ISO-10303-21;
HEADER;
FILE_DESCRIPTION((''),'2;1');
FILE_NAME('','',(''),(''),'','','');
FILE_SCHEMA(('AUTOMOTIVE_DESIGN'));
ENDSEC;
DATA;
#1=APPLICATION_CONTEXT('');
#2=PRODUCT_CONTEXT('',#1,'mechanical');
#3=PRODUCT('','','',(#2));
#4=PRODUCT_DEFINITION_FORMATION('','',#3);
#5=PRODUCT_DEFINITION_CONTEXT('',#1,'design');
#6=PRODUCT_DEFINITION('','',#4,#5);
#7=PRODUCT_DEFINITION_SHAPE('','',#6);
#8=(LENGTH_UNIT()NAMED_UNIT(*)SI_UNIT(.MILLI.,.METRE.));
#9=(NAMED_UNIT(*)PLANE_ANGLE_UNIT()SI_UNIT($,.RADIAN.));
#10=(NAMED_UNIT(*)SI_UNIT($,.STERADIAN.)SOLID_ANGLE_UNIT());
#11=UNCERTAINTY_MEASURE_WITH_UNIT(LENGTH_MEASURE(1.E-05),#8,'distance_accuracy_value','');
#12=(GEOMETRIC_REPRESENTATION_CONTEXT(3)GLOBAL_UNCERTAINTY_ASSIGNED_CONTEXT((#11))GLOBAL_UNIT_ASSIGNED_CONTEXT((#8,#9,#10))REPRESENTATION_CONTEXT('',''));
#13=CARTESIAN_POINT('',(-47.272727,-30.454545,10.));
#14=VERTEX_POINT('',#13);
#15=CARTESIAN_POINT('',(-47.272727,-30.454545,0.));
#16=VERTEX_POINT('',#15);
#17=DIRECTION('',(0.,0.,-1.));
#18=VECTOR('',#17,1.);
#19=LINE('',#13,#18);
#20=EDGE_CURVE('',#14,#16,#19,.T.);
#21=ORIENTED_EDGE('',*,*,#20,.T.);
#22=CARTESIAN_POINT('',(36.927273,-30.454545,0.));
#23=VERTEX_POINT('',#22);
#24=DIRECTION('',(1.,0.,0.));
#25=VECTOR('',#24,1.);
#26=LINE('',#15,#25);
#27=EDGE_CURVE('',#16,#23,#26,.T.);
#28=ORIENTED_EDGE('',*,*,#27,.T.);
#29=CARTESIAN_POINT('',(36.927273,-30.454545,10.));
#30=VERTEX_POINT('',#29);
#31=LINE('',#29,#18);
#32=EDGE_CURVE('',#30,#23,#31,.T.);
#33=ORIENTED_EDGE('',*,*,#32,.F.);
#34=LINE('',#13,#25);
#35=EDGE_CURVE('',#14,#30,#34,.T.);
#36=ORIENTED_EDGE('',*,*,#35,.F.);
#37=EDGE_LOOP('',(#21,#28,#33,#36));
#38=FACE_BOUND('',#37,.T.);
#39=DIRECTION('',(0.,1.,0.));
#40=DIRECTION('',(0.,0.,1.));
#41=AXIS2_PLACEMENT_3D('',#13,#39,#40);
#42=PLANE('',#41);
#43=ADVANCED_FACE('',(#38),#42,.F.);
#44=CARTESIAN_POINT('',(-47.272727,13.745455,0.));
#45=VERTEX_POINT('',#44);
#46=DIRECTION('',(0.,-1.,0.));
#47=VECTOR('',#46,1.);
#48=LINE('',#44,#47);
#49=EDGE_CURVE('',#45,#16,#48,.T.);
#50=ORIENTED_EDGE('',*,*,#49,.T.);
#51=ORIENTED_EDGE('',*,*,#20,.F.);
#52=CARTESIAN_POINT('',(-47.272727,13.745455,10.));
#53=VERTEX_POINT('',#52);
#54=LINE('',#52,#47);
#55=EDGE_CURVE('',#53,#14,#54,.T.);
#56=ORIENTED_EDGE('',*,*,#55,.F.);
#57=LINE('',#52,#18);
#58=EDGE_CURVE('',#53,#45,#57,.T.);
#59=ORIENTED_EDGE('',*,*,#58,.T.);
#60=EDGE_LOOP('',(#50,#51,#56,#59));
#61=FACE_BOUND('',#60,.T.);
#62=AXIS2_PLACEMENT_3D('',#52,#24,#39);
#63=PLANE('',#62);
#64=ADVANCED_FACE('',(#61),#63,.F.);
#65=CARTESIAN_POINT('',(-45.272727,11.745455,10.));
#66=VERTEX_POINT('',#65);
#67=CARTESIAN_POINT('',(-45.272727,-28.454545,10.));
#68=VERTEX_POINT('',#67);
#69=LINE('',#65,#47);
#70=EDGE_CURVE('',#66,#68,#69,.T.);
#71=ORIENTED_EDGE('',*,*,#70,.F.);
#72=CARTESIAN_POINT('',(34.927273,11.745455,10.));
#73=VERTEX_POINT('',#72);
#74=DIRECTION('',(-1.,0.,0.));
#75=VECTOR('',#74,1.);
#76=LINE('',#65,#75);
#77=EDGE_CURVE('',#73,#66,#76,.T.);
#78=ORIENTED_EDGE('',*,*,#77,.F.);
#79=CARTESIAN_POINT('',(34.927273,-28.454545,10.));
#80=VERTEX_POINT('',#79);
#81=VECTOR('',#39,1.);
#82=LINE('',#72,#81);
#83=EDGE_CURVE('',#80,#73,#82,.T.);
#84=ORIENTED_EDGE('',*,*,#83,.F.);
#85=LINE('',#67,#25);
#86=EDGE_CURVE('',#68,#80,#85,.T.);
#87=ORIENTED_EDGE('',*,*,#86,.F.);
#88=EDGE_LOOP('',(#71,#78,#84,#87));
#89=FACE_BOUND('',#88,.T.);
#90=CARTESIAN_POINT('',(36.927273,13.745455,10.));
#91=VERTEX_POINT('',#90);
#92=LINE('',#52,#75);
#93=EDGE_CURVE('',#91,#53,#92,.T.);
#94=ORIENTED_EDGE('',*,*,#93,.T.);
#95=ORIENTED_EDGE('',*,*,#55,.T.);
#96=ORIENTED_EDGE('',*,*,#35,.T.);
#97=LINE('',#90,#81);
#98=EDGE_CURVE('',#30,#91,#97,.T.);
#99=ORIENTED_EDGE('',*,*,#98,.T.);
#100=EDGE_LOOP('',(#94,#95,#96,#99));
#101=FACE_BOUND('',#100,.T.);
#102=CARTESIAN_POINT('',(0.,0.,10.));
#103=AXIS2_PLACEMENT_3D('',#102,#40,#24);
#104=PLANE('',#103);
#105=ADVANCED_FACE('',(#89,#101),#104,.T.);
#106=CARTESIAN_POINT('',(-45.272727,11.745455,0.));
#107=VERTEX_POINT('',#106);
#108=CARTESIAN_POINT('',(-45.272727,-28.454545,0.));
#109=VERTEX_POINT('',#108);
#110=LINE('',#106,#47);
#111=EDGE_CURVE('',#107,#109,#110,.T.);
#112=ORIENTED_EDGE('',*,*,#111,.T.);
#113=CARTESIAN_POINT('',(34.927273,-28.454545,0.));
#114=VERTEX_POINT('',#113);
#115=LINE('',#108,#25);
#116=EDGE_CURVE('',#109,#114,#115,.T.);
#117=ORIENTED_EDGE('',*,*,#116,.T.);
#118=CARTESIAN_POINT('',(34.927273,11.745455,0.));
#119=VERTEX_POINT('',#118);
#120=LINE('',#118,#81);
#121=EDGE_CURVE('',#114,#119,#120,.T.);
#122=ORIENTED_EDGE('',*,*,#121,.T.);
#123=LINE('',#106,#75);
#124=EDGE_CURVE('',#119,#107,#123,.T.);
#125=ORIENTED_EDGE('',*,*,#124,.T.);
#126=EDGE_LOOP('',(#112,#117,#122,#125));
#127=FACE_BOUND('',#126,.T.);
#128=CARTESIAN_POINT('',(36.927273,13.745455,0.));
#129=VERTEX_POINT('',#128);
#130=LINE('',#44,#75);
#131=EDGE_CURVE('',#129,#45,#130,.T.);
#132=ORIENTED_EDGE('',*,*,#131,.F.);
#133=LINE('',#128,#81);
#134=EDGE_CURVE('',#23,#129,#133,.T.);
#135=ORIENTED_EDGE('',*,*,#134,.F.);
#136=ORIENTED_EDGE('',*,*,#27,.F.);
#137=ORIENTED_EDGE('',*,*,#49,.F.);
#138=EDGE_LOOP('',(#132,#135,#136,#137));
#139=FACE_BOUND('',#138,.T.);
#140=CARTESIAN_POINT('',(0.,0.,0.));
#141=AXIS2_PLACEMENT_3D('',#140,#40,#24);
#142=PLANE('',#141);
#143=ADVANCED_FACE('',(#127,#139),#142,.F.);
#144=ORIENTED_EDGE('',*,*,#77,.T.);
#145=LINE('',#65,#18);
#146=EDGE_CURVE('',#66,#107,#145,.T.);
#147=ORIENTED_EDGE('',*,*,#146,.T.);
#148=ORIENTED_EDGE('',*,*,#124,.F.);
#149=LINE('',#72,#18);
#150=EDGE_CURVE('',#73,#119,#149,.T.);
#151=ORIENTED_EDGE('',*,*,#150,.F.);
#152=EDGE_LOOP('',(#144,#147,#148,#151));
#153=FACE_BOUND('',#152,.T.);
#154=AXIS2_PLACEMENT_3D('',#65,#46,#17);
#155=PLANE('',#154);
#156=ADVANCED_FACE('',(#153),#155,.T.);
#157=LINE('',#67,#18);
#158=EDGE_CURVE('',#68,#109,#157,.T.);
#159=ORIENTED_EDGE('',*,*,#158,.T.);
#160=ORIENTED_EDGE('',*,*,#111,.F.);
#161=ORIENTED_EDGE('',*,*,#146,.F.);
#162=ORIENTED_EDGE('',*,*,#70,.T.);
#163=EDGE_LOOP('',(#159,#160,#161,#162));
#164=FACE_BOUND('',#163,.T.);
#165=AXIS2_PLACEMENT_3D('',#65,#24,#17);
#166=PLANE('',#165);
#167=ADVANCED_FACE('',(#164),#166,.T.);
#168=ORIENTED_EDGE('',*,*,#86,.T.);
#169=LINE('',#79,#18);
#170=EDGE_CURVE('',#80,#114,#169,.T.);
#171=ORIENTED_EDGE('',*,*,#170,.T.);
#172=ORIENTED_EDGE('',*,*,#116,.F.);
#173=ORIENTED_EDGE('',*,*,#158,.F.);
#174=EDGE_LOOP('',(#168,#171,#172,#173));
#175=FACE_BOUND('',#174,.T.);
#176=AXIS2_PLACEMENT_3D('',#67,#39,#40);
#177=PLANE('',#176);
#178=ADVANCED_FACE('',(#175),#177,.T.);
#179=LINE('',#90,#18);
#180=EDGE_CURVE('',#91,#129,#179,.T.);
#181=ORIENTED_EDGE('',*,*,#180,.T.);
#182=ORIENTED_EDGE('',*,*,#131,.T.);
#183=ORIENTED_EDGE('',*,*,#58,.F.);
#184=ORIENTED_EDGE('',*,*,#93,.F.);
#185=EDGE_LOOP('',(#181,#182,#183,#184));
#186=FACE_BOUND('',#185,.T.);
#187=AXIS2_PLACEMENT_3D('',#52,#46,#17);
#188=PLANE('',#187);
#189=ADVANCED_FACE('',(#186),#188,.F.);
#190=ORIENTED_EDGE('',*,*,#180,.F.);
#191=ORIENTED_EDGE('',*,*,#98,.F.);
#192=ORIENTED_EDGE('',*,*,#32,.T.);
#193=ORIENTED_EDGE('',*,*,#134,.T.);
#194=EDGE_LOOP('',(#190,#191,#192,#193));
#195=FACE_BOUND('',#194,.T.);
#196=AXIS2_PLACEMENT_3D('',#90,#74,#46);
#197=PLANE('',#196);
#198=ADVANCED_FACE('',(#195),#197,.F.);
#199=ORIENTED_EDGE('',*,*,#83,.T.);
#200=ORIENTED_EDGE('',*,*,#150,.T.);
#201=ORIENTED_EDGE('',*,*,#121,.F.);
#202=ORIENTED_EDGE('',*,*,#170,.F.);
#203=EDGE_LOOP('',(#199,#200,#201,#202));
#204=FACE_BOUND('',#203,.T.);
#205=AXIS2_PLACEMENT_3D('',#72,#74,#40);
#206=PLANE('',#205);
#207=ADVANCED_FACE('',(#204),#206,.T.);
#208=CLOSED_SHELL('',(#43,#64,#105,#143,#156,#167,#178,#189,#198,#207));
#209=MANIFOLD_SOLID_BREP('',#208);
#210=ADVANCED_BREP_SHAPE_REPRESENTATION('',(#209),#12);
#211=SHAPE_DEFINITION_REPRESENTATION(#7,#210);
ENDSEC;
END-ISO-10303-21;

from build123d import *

# Parameters (mm, degrees)
SKETCH_1_W      = 84.2
SKETCH_1_H      = 44.2
SKETCH_1_W_2    = 80.2
SKETCH_1_H_2    = 40.2
EXTRUDE_1_DEPTH = 10


with BuildPart() as part:
    # 草图1 → 凸台-拉伸1 (new body)
    with BuildSketch(Plane.XY):
        with Locations((-5.172727273, -8.354545455)):
            Rectangle(SKETCH_1_W, SKETCH_1_H)
        with Locations((-5.172727273, -8.354545455)):
            Rectangle(SKETCH_1_W_2, SKETCH_1_H_2, mode=Mode.SUBTRACT)
    extrude(amount=EXTRUDE_1_DEPTH)


solid = part.part
